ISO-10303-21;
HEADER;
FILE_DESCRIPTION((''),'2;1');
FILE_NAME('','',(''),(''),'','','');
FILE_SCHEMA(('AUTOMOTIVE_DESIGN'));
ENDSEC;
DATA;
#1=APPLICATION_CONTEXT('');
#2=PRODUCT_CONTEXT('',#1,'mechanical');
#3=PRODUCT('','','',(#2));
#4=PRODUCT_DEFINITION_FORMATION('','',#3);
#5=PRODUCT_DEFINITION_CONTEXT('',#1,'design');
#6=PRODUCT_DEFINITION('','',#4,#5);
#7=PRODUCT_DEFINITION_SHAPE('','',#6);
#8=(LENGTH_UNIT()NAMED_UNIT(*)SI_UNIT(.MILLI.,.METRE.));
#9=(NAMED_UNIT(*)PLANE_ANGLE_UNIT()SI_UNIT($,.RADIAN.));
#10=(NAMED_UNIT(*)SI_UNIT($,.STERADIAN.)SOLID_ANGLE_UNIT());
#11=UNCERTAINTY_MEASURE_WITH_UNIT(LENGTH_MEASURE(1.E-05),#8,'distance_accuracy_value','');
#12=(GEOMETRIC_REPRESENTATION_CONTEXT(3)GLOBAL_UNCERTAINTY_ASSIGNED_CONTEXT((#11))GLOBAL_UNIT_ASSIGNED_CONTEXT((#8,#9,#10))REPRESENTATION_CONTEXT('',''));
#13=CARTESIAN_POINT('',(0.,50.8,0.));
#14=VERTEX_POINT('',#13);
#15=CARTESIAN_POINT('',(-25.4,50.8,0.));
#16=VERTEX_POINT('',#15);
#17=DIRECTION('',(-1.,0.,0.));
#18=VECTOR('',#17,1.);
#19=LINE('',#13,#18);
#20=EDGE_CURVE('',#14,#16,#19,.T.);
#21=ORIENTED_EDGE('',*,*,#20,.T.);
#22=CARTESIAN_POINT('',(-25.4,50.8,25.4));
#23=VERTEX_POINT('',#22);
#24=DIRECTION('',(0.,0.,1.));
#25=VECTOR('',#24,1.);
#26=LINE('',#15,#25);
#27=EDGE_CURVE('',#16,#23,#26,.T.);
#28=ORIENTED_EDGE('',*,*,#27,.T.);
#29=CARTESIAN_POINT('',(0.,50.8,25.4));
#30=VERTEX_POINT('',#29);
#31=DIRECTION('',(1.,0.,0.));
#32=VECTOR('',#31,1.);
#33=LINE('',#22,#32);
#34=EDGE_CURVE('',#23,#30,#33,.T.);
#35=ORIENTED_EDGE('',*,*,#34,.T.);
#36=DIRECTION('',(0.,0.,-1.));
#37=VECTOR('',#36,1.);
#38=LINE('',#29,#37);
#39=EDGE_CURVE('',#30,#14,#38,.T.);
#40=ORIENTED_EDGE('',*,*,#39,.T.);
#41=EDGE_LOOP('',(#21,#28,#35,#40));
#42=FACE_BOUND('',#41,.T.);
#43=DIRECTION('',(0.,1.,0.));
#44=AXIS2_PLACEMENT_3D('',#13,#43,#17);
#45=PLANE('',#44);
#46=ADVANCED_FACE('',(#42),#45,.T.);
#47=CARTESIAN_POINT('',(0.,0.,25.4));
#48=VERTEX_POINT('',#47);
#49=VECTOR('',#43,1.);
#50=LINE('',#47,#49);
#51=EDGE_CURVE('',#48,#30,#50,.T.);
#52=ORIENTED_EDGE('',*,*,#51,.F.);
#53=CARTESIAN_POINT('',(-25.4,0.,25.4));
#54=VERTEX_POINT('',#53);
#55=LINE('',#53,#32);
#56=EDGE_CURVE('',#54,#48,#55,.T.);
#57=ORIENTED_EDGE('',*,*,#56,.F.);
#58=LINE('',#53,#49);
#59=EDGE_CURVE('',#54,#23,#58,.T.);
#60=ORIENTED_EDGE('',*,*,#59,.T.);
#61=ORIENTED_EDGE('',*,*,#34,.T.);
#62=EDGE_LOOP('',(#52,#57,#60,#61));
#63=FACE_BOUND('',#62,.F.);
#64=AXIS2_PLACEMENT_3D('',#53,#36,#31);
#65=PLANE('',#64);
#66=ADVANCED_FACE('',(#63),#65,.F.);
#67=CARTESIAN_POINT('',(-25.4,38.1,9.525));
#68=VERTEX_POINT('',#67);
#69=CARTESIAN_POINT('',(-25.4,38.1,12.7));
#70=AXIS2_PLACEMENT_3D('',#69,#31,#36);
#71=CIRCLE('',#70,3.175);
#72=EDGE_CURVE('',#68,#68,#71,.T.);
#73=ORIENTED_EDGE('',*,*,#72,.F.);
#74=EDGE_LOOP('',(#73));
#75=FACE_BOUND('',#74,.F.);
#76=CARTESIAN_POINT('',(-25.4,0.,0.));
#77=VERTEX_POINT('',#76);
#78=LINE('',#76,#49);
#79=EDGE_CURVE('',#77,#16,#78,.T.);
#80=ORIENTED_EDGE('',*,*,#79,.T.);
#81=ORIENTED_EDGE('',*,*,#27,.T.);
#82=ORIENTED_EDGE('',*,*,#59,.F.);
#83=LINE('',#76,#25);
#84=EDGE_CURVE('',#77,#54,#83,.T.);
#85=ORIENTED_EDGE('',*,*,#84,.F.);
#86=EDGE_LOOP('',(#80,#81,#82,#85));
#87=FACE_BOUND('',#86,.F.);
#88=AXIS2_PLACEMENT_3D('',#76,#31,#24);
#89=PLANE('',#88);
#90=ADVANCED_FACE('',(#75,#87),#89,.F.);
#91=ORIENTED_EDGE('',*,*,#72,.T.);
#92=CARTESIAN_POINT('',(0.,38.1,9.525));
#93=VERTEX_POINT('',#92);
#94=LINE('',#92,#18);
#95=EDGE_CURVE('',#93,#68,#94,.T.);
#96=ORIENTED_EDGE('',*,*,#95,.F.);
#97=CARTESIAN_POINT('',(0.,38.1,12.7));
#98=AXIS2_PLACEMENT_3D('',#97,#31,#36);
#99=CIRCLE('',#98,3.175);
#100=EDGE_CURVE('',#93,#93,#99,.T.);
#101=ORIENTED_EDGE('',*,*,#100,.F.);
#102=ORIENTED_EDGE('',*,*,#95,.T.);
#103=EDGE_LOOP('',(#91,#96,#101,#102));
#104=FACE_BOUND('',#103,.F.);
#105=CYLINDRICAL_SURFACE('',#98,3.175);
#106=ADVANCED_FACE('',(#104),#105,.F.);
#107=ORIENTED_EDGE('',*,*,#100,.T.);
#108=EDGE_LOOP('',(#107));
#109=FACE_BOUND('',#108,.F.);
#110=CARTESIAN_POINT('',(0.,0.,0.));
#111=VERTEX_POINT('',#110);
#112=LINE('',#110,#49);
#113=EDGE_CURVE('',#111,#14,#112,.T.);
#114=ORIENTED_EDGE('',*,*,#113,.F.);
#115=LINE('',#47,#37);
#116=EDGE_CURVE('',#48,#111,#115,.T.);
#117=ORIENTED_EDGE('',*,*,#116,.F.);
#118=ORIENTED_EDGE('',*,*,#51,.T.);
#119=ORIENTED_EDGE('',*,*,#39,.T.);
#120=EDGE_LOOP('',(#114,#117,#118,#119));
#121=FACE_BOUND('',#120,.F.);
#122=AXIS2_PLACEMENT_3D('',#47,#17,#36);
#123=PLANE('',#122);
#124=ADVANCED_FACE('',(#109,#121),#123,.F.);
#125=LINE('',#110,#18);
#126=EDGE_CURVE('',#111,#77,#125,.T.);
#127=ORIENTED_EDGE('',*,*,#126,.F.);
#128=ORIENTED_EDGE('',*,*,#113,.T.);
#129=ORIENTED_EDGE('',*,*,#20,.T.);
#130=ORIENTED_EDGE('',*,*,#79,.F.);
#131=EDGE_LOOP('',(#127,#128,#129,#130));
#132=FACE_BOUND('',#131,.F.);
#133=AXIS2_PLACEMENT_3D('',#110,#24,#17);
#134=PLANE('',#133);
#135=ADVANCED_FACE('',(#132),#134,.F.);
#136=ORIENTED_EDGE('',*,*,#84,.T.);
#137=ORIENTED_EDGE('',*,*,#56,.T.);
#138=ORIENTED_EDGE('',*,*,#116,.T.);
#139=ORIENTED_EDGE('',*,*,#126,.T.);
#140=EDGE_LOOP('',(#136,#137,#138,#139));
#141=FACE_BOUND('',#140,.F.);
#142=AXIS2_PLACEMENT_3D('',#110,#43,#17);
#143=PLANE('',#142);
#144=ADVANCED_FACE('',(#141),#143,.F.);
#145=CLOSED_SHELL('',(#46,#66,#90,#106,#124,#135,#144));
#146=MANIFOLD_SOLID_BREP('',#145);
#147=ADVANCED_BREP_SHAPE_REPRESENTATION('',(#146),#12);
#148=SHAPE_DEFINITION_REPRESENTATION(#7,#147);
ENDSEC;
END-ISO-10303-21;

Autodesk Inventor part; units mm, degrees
ref_plane "YZ Plane" through (0, 0, 0) normal (1, 0, 0) x (0, 1, 0)
ref_plane "XZ Plane" through (0, 0, 0) normal (0, 1, 0) x (-1, 0, 0)
ref_plane "XY Plane" through (0, 0, 0) normal (0, 0, 1) x (1, 0, 0)
sketch "Sketch1" plane through (0, 0, 0) normal (0, 1, 0) x (-1, 0, 0)
  line L0 (0, 0) -> (25.4, 0)
  line L1 (25.4, 0) -> (25.4, 25.4)
  line L2 (25.4, 25.4) -> (0, 25.4)
  line L3 (0, 25.4) -> (0, 0)
  dimension "d0" = 25.4
  dimension "d1" = 25.4
extrude "Extrusion1" add sketch "Sketch1" along normal blind 50.8
sketch "Sketch2" plane through (0, 0, 25.4) normal (1, 0, 0) x (0, 0, -1)
  line L0 (25.4, 0) -> (25.4, 50.8) projected
  line L1 (0, 50.8) -> (25.4, 50.8) projected
  circle A0 centre (12.7, 38.1) radius 3.175
  dimension "d4" = 6.35
  dimension "d5" = 12.7
  dimension "d6" = 12.7
extrude "Extrusion2" cut sketch "Sketch2" against normal blind 50.8
properties part number "hardstop support"
